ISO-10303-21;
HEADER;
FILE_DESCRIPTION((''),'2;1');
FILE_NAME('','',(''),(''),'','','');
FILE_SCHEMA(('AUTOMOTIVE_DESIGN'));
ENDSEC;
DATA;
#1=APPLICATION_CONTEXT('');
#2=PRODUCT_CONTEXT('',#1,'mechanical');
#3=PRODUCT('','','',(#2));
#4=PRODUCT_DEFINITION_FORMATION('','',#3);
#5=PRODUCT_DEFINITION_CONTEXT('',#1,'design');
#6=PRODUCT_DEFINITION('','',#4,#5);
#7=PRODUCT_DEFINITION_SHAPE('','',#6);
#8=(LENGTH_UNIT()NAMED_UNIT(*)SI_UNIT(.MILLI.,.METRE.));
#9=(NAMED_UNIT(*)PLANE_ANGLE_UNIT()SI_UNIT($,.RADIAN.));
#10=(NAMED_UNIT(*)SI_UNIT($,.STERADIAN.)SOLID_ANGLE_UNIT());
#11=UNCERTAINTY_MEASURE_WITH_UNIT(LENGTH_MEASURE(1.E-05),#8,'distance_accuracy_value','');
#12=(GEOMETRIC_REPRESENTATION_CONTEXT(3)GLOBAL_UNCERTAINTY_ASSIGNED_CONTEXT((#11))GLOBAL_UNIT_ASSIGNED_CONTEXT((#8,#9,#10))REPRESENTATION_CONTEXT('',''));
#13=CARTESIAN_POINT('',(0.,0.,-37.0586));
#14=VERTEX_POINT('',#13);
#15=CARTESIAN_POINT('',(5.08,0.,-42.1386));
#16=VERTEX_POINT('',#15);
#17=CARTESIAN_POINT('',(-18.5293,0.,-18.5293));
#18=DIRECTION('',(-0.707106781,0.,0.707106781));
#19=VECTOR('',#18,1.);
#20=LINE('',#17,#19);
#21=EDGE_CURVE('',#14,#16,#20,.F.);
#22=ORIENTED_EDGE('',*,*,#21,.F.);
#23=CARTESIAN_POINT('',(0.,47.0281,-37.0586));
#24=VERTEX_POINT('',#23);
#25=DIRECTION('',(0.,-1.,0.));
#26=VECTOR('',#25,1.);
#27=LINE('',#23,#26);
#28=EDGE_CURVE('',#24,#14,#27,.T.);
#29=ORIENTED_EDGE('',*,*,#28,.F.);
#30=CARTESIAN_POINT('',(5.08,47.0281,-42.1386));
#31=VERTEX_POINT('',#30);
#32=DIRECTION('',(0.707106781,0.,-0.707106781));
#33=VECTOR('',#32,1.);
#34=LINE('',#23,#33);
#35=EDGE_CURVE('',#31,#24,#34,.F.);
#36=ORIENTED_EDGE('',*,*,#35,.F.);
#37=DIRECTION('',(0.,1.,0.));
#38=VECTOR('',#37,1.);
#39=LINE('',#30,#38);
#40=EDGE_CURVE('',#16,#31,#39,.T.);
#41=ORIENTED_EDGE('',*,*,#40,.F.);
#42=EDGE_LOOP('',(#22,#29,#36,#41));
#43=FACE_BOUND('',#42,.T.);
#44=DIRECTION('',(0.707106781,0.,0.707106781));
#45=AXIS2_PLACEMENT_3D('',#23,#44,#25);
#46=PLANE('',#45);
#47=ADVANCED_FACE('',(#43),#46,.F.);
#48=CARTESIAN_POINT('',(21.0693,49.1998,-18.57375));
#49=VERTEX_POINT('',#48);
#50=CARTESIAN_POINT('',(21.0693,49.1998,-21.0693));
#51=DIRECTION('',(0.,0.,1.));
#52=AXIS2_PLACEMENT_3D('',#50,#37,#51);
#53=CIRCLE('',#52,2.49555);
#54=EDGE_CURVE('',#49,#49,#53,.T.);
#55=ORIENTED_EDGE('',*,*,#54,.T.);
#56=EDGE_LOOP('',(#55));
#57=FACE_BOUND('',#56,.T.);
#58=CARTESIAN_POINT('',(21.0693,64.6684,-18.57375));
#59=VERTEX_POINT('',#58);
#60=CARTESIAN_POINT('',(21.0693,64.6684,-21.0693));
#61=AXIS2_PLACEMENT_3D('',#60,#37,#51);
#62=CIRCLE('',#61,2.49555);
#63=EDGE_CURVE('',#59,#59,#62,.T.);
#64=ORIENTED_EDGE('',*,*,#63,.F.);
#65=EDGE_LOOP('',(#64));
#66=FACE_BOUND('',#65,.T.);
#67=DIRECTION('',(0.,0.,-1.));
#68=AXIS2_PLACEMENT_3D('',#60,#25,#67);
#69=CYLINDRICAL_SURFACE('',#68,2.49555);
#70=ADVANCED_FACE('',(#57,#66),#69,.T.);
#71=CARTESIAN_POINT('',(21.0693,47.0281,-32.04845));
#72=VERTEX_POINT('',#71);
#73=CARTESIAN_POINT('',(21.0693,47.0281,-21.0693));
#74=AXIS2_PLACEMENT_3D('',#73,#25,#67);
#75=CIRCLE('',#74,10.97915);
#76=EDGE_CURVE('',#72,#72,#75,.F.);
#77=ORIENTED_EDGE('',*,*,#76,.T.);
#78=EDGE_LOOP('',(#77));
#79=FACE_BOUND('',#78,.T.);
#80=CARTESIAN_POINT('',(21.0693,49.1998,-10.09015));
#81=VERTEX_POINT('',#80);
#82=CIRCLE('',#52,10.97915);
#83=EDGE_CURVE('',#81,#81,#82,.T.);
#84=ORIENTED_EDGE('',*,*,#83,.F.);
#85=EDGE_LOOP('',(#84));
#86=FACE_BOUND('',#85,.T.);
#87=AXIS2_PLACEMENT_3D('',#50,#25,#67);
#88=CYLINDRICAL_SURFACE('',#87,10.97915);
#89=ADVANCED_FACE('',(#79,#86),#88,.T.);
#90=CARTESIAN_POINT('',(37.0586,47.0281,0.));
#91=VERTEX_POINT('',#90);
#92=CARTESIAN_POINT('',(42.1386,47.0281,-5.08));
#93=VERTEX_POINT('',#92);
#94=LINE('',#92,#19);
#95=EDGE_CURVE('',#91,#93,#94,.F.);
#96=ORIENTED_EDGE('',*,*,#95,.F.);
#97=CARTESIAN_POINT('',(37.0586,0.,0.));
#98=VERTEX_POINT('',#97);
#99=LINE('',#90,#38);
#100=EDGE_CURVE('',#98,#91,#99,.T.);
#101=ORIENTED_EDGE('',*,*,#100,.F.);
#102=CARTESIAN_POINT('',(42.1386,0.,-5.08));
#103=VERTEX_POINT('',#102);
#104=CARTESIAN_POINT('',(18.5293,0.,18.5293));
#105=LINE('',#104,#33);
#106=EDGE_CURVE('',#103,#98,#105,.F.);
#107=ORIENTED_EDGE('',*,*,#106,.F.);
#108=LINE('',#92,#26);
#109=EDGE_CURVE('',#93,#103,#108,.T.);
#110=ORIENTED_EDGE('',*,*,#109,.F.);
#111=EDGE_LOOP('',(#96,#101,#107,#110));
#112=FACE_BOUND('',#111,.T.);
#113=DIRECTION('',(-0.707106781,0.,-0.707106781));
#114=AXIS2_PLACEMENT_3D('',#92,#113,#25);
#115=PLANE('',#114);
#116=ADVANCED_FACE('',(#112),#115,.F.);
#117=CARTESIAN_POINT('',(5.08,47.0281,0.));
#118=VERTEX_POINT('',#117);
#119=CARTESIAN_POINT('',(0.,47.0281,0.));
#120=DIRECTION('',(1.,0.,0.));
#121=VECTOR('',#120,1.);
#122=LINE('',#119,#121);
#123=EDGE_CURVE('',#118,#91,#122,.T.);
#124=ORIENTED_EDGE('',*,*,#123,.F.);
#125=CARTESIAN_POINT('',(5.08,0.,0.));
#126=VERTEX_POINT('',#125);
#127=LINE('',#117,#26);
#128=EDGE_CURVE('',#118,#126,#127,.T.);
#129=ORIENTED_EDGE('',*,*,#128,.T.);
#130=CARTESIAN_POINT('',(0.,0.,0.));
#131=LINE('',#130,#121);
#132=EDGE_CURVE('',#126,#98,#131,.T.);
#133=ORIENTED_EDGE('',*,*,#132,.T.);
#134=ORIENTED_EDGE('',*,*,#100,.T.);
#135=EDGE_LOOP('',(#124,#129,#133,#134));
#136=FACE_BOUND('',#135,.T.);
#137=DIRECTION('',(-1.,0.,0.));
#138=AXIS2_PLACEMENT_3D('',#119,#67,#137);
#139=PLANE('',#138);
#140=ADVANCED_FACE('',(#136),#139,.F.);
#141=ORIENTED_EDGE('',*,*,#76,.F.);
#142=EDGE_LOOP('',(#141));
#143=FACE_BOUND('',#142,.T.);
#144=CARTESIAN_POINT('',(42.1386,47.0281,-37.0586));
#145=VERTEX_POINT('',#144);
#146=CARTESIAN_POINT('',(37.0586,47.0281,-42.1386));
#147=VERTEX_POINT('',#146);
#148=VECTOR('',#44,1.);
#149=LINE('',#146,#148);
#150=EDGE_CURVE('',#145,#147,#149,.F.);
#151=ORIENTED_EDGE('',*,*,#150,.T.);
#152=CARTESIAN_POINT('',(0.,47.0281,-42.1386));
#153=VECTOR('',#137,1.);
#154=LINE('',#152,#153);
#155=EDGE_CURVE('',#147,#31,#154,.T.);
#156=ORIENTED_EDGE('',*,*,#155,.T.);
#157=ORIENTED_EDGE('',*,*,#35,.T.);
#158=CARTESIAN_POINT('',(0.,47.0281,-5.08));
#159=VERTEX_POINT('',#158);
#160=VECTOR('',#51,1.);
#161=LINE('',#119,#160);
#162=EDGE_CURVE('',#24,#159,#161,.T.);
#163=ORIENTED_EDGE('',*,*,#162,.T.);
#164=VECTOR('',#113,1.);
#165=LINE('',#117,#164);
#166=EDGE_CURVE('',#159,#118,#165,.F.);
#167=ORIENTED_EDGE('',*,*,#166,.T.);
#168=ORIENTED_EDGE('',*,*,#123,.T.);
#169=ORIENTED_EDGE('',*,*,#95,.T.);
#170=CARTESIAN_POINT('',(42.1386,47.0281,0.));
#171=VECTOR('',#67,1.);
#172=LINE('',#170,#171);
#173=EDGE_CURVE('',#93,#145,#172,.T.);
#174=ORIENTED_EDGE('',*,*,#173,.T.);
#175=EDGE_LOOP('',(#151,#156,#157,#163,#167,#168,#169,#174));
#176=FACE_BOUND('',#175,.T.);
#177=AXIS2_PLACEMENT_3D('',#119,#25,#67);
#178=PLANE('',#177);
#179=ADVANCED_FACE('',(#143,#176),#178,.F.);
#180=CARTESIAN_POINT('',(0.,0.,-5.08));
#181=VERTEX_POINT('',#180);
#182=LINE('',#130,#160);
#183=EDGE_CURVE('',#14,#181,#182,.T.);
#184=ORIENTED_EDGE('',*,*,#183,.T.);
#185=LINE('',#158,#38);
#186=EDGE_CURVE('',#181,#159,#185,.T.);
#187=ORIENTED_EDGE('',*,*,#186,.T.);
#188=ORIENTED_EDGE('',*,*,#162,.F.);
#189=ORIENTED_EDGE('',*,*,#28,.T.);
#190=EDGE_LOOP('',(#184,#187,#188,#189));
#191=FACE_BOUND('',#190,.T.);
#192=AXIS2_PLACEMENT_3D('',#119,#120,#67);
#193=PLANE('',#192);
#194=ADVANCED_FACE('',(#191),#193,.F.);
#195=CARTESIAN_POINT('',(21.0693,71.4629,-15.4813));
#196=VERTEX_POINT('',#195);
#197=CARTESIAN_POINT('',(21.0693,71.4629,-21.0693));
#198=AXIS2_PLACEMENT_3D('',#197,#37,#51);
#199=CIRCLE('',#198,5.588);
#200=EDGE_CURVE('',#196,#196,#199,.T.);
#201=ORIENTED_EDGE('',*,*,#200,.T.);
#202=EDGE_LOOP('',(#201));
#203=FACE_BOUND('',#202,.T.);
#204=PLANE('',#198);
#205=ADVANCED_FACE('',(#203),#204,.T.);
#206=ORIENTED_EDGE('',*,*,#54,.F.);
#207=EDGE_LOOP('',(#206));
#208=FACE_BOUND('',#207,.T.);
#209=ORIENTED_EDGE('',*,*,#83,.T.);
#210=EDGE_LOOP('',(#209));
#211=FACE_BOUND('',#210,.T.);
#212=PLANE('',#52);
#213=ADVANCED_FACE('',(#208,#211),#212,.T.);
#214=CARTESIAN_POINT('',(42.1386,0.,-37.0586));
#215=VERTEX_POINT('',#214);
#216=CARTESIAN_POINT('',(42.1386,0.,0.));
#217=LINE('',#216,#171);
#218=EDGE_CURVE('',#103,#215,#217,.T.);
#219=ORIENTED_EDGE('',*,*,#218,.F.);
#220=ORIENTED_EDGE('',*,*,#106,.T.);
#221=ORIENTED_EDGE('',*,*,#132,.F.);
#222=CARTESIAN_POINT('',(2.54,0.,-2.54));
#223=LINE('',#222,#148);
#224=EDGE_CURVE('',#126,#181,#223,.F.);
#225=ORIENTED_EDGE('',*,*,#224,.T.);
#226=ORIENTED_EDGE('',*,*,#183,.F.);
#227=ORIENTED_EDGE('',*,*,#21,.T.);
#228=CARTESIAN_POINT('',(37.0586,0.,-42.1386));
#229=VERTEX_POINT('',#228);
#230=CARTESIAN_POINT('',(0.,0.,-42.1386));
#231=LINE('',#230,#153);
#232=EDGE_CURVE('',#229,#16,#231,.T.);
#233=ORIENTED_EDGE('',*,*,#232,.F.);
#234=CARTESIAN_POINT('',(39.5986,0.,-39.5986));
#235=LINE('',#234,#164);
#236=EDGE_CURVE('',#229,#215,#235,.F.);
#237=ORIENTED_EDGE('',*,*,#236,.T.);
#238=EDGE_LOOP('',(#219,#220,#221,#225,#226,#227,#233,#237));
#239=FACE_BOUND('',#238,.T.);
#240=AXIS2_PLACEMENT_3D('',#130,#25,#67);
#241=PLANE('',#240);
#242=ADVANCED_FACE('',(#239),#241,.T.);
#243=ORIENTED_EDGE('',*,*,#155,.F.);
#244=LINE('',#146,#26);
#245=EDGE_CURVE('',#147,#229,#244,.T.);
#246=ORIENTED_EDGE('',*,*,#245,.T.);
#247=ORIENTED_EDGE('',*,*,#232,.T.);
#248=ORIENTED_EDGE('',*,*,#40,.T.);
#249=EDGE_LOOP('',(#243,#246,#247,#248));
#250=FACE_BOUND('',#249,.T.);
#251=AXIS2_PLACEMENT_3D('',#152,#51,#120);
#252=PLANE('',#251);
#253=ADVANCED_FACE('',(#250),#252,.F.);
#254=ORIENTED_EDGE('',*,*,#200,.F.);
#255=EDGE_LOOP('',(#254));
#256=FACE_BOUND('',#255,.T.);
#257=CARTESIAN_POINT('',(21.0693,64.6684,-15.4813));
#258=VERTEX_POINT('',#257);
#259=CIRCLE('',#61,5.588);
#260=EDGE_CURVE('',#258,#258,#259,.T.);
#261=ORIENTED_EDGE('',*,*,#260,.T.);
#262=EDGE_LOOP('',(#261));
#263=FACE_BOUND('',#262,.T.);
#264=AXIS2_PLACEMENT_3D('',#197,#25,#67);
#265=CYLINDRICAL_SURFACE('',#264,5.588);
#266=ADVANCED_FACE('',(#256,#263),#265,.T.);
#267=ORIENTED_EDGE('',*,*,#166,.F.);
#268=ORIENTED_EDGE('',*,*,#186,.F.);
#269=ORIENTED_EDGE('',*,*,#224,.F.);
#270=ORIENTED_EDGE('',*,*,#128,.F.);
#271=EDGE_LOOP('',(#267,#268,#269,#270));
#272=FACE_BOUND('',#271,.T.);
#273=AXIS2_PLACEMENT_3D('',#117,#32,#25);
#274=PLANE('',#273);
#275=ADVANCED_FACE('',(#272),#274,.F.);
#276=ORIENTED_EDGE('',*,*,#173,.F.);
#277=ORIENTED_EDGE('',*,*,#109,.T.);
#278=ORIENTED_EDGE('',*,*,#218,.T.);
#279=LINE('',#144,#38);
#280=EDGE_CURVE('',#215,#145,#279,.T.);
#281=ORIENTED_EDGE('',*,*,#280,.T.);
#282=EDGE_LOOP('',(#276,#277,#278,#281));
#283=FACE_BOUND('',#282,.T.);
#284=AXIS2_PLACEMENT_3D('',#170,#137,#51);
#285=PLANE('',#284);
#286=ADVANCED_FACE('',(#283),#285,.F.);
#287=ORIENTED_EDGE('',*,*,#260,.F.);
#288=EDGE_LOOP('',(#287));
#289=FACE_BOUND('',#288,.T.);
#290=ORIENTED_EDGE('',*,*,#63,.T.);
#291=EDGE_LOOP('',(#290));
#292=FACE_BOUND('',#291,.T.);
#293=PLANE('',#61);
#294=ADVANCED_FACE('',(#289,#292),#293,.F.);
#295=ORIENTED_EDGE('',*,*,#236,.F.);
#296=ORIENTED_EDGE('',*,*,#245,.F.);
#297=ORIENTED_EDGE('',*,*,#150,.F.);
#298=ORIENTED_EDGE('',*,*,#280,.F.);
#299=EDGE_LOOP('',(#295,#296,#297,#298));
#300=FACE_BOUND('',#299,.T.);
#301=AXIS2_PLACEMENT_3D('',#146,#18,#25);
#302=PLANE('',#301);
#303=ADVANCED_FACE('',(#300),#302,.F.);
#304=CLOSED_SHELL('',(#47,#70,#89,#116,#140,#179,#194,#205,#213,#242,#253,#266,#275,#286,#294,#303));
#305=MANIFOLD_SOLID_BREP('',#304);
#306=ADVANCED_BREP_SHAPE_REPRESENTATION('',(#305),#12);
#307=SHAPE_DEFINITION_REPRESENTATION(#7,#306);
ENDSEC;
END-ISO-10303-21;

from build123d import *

# Parameters (mm, degrees)
SKETCH1_W           = 42.1386
SKETCH1_H           = 42.1386
BOSS_EXTRUDE1_DEPTH = 47.0281
SKETCH2_R           = 10.97915
BOSS_EXTRUDE2_DEPTH = 2.1717
SKETCH3_R           = 2.49555
BOSS_EXTRUDE3_DEPTH = 15.4686
CHAMFER1_SIZE       = 5.08
CHAMFER2_SIZE       = 5.08
CHAMFER3_SIZE       = 5.08
CHAMFER4_SIZE       = 5.08
SKETCH5_R           = 5.588
BOSS_EXTRUDE4_DEPTH = 6.7945


with BuildPart() as part:
    # Sketch1 → Boss-Extrude1 (new body)
    with BuildSketch(Plane(origin=(0, 0, 0), x_dir=(1, 0, 0), z_dir=(0, 1, 0))):
        with Locations((21.0693, 21.0693)):
            Rectangle(SKETCH1_W, SKETCH1_H)
    extrude(amount=BOSS_EXTRUDE1_DEPTH)

    # Sketch2 → Boss-Extrude2 (add)
    with BuildSketch(Plane(origin=(0, 47.0281, 0), x_dir=(1, 0, 0), z_dir=(0, 1, 0))):
        with Locations((21.0693, 21.0693)):
            Circle(SKETCH2_R)
    extrude(amount=BOSS_EXTRUDE2_DEPTH)

    # Sketch3 → Boss-Extrude3 (add)
    with BuildSketch(Plane(origin=(0, 49.1998, 0), x_dir=(1, 0, 0), z_dir=(0, 1, 0))):
        with Locations((21.0693, 21.0693)):
            Circle(SKETCH3_R)
    extrude(amount=BOSS_EXTRUDE3_DEPTH)

    # Chamfer1
    chamfer1_edges = [part.edges().sort_by_distance(p)[0] for p in [
        (42.1386, 23.51405, -42.1386),
    ]]
    chamfer(chamfer1_edges, length=CHAMFER1_SIZE)

    # Chamfer2
    chamfer2_edges = [part.edges().sort_by_distance(p)[0] for p in [
        (42.1386, 23.51405, 0),
    ]]
    chamfer(chamfer2_edges, length=CHAMFER2_SIZE)

    # Chamfer3
    chamfer3_edges = [part.edges().sort_by_distance(p)[0] for p in [
        (0, 23.51405, 0),
    ]]
    chamfer(chamfer3_edges, length=CHAMFER3_SIZE)

    # Chamfer4
    chamfer4_edges = [part.edges().sort_by_distance(p)[0] for p in [
        (0, 23.51405, -42.1386),
    ]]
    chamfer(chamfer4_edges, length=CHAMFER4_SIZE)

    # Sketch5 → Boss-Extrude4 (add)
    with BuildSketch(Plane(origin=(0, 64.6684, 0), x_dir=(1, 0, 0), z_dir=(0, 1, 0))):
        with Locations((21.0693, 21.0693)):
            Circle(SKETCH5_R)
    extrude(amount=BOSS_EXTRUDE4_DEPTH)


solid = part.part
